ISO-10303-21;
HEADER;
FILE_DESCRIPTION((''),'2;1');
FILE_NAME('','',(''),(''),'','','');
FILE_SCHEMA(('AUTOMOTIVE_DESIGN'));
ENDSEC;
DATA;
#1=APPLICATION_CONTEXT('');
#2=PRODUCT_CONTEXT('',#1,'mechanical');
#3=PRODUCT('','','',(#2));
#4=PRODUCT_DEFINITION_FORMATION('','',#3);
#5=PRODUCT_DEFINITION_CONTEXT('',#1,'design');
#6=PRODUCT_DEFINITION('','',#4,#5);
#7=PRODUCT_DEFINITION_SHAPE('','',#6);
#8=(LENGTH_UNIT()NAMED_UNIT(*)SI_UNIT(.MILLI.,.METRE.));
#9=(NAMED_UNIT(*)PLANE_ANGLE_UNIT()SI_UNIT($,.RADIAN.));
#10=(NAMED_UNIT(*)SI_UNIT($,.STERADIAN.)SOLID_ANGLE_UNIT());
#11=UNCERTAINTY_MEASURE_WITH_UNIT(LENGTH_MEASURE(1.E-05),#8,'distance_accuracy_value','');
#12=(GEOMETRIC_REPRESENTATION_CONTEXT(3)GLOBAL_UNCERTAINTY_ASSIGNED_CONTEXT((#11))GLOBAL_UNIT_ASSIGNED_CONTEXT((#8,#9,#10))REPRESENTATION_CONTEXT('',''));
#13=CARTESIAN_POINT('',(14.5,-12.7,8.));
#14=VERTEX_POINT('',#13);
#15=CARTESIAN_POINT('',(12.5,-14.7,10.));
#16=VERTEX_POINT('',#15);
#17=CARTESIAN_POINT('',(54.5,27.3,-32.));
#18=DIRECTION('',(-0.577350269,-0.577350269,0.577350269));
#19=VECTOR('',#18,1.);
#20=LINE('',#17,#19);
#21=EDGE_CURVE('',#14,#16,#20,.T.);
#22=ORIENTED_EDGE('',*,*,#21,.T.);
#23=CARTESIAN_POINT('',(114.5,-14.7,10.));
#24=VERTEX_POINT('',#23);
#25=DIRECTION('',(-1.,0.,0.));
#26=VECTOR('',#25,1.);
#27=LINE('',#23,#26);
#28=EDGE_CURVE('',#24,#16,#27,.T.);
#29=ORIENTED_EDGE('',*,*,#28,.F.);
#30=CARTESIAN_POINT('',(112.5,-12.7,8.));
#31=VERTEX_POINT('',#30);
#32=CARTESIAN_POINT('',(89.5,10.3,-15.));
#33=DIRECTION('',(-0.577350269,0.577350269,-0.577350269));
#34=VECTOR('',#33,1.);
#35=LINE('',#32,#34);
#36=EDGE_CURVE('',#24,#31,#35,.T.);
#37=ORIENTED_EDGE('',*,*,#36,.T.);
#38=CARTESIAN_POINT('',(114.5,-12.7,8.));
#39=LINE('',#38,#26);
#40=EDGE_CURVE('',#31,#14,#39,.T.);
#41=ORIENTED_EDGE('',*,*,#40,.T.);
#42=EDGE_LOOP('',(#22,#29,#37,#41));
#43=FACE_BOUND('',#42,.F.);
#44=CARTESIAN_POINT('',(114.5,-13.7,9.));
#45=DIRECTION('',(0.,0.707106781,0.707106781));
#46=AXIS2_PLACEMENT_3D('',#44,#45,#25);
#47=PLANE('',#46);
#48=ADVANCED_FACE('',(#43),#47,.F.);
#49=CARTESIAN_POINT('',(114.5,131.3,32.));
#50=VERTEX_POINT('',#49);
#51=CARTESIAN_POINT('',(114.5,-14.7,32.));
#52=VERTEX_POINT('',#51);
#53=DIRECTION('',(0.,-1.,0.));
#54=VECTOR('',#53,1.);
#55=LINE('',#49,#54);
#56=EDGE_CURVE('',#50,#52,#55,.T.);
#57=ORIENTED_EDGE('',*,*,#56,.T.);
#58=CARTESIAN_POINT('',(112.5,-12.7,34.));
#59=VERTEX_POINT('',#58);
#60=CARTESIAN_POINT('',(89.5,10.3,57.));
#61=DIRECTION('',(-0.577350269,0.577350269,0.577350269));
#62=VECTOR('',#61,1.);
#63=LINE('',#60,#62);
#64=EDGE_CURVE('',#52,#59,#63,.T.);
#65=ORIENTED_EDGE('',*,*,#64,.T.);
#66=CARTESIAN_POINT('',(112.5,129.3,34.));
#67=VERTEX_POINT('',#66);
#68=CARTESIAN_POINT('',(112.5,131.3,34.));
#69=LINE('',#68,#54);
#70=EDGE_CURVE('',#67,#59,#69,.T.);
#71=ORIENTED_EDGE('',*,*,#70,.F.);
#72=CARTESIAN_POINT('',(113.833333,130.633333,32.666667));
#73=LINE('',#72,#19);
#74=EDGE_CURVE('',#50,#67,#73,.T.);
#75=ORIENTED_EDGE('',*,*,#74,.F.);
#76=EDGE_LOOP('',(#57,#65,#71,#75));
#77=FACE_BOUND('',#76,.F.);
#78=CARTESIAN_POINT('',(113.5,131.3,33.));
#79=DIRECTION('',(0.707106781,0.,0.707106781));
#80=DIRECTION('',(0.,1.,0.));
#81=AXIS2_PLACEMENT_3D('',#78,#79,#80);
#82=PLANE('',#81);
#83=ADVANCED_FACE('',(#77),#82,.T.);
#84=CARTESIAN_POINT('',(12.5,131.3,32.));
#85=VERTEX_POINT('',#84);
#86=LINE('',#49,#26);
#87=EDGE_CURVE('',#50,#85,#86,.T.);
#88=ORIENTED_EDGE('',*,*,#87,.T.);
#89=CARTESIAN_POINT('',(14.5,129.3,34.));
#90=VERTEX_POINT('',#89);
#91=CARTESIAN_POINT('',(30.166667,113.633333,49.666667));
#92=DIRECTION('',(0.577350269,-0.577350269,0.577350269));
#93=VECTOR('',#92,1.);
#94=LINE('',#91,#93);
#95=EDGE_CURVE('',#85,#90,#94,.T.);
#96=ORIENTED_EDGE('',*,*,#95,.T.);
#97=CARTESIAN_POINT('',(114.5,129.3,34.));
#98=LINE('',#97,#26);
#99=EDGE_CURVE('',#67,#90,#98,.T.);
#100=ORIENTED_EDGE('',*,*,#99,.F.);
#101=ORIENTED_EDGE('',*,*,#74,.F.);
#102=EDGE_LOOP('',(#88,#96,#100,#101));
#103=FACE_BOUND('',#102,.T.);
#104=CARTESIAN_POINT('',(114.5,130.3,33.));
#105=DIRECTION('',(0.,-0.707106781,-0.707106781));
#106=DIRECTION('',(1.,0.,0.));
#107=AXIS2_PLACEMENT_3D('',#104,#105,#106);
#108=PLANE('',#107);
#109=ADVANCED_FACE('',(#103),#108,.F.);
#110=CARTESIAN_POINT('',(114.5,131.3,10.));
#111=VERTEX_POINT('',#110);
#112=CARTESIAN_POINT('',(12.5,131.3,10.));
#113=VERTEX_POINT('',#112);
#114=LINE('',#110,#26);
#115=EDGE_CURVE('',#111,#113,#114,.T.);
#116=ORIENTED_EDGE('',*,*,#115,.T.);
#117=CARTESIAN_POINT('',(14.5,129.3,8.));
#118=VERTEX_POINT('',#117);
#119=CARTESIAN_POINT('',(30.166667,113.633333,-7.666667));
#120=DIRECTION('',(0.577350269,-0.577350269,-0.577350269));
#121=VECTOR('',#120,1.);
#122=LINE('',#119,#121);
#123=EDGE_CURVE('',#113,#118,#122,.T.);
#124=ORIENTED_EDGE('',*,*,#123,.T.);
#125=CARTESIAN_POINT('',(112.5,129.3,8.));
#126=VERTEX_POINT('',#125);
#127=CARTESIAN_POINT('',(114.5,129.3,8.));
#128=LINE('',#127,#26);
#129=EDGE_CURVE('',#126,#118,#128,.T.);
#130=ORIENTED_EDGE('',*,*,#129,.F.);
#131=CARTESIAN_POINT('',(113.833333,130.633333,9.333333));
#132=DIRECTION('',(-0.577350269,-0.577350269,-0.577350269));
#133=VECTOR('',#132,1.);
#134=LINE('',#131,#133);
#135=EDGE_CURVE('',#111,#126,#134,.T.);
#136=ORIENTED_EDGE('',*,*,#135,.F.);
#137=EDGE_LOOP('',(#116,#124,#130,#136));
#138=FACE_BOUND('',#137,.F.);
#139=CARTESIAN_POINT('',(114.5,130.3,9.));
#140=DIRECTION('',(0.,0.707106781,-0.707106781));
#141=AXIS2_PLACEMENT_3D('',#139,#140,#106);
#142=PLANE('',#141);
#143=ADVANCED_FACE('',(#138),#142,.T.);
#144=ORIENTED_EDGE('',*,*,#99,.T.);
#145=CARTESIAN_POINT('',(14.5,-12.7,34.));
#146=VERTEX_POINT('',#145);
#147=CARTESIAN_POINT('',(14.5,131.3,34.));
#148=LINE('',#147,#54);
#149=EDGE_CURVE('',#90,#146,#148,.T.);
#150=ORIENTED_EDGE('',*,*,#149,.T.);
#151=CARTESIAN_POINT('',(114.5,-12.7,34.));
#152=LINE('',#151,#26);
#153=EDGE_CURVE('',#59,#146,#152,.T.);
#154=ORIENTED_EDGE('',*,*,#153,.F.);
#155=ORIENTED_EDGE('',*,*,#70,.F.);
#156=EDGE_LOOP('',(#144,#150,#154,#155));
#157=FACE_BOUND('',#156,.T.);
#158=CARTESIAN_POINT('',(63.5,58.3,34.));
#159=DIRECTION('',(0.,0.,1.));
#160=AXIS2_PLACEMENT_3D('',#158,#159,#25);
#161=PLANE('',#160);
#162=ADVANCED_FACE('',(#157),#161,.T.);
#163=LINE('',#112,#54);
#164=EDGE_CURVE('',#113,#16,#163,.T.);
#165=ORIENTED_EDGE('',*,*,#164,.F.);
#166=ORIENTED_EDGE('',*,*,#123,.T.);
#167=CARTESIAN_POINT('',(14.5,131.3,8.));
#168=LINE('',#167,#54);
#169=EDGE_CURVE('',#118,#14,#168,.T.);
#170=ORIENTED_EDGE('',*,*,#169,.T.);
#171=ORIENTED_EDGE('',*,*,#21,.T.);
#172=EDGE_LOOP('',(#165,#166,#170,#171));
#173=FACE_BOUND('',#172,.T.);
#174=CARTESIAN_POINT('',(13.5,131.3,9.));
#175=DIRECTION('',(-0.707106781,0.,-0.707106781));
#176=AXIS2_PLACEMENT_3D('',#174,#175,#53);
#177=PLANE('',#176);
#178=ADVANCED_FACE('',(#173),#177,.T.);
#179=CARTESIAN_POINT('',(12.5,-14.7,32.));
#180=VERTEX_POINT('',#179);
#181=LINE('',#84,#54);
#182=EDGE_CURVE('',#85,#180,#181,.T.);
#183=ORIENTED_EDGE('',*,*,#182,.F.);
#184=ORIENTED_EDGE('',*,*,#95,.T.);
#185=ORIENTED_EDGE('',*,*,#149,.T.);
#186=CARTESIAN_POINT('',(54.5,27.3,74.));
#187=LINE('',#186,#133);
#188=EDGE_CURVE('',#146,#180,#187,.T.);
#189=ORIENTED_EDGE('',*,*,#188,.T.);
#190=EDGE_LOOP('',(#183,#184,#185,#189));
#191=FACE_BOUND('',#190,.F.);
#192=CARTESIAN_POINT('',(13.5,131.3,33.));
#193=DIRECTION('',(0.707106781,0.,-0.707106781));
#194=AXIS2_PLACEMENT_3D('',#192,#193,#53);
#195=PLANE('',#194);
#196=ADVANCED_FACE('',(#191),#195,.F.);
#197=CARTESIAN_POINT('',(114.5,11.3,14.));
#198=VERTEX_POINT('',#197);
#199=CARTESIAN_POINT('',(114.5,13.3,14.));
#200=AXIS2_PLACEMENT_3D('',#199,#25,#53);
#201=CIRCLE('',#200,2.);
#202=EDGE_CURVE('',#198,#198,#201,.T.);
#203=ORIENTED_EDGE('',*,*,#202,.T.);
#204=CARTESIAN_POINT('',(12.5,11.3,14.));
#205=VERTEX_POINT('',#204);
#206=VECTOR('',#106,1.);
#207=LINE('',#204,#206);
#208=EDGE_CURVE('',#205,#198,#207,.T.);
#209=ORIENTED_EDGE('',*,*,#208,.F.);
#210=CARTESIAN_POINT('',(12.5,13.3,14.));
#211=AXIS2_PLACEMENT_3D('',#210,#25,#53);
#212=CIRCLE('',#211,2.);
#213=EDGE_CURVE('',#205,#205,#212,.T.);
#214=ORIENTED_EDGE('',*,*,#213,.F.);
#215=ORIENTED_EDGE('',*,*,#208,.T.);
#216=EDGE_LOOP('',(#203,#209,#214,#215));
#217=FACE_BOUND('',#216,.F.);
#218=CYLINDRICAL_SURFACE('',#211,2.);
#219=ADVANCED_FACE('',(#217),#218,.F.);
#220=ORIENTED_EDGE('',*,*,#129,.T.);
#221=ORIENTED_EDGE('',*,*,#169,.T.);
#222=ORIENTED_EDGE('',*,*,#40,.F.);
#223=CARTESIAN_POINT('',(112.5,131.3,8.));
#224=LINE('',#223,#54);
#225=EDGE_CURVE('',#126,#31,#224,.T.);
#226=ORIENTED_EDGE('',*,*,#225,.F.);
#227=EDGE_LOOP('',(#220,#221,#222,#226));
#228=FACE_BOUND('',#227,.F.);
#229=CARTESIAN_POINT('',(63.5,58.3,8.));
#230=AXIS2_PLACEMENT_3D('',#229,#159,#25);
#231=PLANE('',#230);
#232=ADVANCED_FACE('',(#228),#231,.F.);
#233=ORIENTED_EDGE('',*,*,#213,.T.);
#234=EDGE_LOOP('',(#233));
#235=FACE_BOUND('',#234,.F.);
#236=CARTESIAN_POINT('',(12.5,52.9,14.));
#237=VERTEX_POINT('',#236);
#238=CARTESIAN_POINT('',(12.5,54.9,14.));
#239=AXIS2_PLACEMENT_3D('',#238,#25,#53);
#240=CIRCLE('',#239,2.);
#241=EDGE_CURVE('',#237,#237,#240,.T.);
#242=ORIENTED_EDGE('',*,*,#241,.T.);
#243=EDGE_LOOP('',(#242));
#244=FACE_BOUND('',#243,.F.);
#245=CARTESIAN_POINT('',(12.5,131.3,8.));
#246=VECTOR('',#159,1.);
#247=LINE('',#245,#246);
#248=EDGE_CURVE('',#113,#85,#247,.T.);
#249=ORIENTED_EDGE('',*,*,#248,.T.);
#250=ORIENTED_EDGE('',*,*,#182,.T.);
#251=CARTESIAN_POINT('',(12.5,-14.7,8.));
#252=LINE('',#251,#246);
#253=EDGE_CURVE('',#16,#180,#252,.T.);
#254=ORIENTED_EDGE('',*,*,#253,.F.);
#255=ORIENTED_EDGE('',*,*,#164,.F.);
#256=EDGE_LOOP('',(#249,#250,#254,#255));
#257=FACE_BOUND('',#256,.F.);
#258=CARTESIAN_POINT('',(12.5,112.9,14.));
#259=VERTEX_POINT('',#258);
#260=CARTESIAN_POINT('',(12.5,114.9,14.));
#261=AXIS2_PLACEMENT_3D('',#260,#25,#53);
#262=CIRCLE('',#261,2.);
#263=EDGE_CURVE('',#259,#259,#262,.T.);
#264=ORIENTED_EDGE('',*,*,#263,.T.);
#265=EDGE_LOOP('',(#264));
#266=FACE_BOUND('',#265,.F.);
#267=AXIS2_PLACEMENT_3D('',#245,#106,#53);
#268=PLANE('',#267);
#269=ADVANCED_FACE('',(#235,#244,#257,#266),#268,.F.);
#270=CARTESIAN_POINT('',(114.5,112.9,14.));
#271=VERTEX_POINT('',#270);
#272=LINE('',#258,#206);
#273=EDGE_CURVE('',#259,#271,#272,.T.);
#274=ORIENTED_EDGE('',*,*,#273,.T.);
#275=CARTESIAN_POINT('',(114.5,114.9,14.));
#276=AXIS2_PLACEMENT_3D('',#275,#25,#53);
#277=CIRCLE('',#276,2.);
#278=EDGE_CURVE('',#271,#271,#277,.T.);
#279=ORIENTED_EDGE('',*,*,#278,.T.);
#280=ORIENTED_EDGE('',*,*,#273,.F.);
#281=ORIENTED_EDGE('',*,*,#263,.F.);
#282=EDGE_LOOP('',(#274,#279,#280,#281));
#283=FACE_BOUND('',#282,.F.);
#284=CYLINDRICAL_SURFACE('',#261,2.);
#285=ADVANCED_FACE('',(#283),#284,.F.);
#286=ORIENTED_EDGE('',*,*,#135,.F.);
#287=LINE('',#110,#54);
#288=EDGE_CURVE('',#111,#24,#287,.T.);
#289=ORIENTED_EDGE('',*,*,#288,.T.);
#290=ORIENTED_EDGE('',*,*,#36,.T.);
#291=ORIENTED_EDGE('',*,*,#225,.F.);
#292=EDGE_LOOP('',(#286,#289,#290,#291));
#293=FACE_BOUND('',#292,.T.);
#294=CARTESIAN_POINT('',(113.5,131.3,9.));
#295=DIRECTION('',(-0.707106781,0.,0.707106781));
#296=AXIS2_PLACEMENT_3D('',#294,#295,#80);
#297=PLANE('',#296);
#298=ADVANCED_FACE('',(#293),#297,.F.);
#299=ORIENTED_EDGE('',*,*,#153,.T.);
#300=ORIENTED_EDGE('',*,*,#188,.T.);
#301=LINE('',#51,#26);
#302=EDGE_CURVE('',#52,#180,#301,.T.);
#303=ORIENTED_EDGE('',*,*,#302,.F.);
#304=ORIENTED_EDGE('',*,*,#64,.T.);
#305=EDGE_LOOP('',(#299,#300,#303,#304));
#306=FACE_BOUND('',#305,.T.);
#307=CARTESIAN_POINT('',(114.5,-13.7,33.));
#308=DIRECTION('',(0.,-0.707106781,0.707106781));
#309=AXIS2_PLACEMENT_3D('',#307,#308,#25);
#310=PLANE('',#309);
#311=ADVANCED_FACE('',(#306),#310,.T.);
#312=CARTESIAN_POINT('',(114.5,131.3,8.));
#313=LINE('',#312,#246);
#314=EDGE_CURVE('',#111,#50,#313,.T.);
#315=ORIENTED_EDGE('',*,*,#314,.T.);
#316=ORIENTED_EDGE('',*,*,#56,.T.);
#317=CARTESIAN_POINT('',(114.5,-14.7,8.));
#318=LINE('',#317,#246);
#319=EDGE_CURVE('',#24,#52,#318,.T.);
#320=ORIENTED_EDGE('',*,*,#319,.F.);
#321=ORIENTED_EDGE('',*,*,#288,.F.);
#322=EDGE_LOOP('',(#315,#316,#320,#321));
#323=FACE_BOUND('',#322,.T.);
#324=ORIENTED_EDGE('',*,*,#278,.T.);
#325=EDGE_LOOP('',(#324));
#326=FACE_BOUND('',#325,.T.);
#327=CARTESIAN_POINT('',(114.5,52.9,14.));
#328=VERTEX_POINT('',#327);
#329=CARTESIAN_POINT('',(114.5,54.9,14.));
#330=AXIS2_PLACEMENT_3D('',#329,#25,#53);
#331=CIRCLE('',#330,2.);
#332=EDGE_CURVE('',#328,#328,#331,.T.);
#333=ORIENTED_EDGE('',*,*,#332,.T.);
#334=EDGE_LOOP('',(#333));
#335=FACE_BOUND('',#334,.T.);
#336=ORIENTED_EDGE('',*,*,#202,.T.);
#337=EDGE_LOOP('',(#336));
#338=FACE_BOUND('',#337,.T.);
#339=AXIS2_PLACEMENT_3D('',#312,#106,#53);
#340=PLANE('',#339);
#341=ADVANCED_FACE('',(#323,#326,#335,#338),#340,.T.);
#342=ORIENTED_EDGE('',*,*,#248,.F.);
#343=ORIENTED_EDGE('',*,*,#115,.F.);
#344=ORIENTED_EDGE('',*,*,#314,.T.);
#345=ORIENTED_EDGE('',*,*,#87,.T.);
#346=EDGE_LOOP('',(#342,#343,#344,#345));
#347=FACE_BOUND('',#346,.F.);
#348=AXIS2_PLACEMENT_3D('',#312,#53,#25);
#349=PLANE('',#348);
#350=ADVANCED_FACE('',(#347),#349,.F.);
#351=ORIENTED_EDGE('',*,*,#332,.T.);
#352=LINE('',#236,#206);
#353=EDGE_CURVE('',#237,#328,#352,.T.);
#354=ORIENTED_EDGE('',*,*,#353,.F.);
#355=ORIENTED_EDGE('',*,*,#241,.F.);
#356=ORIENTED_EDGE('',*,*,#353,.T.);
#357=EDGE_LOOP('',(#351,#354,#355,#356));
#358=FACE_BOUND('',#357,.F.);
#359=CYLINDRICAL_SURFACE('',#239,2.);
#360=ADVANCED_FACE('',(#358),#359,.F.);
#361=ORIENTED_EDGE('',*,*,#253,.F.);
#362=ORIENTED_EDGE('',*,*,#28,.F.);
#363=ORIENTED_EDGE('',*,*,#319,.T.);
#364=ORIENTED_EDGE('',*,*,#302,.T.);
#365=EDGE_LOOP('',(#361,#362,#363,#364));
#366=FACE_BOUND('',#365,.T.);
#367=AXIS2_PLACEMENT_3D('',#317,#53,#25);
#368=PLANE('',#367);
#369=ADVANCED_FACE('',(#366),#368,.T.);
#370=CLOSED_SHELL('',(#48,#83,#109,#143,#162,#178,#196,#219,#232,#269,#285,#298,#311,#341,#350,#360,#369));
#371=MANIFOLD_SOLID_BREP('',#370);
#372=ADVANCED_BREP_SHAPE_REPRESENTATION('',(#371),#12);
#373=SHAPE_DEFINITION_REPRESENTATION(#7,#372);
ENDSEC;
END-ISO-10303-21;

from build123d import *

# Parameters (mm, degrees)
SKETCH046_W             = 102
SKETCH046_H             = 146
PAD012_DEPTH            = 26
SKETCH047_R             = 2
POCKET033_DEPTH         = 102.001
CHAMFER001_SIZE         = 2
BODY010_PLACEMENT_ANGLE = 180


with BuildPart() as part:
    # Sketch046 → Pad012 (new body)
    with BuildSketch(Plane.XY):
        Rectangle(SKETCH046_W, SKETCH046_H)
    extrude(amount=PAD012_DEPTH)

    # Sketch047 (on Face3 of Pad012) → Pocket033 (cut, through all)
    with BuildSketch(Plane.YZ.offset(51)):
        with Locations((45, 6)):
            Circle(SKETCH047_R)
        with Locations((3.4, 6)):
            Circle(SKETCH047_R)
        with Locations((-56.6, 6)):
            Circle(SKETCH047_R)
    extrude(amount=-POCKET033_DEPTH, mode=Mode.SUBTRACT)

    # Chamfer001
    chamfer001_edges = [part.edges().sort_by_distance(p)[0] for p in [
        (-51, 0, 0),
        (0, -73, 0),
        (51, 0, 0),
        (0, 73, 0),
        (-51, 0, 26),
        (0, -73, 26),
        (51, 0, 26),
        (0, 73, 26),
    ]]
    chamfer(chamfer001_edges, length=CHAMFER001_SIZE)


with BuildPart() as part_1:
    # Body010 placement: moved
    add(part.part.moved(Location((63.5, 58.3, 8))).rotate(Axis((63.5, 58.3, 8), (0, 0, 1)), BODY010_PLACEMENT_ANGLE))


solid = part_1.part
